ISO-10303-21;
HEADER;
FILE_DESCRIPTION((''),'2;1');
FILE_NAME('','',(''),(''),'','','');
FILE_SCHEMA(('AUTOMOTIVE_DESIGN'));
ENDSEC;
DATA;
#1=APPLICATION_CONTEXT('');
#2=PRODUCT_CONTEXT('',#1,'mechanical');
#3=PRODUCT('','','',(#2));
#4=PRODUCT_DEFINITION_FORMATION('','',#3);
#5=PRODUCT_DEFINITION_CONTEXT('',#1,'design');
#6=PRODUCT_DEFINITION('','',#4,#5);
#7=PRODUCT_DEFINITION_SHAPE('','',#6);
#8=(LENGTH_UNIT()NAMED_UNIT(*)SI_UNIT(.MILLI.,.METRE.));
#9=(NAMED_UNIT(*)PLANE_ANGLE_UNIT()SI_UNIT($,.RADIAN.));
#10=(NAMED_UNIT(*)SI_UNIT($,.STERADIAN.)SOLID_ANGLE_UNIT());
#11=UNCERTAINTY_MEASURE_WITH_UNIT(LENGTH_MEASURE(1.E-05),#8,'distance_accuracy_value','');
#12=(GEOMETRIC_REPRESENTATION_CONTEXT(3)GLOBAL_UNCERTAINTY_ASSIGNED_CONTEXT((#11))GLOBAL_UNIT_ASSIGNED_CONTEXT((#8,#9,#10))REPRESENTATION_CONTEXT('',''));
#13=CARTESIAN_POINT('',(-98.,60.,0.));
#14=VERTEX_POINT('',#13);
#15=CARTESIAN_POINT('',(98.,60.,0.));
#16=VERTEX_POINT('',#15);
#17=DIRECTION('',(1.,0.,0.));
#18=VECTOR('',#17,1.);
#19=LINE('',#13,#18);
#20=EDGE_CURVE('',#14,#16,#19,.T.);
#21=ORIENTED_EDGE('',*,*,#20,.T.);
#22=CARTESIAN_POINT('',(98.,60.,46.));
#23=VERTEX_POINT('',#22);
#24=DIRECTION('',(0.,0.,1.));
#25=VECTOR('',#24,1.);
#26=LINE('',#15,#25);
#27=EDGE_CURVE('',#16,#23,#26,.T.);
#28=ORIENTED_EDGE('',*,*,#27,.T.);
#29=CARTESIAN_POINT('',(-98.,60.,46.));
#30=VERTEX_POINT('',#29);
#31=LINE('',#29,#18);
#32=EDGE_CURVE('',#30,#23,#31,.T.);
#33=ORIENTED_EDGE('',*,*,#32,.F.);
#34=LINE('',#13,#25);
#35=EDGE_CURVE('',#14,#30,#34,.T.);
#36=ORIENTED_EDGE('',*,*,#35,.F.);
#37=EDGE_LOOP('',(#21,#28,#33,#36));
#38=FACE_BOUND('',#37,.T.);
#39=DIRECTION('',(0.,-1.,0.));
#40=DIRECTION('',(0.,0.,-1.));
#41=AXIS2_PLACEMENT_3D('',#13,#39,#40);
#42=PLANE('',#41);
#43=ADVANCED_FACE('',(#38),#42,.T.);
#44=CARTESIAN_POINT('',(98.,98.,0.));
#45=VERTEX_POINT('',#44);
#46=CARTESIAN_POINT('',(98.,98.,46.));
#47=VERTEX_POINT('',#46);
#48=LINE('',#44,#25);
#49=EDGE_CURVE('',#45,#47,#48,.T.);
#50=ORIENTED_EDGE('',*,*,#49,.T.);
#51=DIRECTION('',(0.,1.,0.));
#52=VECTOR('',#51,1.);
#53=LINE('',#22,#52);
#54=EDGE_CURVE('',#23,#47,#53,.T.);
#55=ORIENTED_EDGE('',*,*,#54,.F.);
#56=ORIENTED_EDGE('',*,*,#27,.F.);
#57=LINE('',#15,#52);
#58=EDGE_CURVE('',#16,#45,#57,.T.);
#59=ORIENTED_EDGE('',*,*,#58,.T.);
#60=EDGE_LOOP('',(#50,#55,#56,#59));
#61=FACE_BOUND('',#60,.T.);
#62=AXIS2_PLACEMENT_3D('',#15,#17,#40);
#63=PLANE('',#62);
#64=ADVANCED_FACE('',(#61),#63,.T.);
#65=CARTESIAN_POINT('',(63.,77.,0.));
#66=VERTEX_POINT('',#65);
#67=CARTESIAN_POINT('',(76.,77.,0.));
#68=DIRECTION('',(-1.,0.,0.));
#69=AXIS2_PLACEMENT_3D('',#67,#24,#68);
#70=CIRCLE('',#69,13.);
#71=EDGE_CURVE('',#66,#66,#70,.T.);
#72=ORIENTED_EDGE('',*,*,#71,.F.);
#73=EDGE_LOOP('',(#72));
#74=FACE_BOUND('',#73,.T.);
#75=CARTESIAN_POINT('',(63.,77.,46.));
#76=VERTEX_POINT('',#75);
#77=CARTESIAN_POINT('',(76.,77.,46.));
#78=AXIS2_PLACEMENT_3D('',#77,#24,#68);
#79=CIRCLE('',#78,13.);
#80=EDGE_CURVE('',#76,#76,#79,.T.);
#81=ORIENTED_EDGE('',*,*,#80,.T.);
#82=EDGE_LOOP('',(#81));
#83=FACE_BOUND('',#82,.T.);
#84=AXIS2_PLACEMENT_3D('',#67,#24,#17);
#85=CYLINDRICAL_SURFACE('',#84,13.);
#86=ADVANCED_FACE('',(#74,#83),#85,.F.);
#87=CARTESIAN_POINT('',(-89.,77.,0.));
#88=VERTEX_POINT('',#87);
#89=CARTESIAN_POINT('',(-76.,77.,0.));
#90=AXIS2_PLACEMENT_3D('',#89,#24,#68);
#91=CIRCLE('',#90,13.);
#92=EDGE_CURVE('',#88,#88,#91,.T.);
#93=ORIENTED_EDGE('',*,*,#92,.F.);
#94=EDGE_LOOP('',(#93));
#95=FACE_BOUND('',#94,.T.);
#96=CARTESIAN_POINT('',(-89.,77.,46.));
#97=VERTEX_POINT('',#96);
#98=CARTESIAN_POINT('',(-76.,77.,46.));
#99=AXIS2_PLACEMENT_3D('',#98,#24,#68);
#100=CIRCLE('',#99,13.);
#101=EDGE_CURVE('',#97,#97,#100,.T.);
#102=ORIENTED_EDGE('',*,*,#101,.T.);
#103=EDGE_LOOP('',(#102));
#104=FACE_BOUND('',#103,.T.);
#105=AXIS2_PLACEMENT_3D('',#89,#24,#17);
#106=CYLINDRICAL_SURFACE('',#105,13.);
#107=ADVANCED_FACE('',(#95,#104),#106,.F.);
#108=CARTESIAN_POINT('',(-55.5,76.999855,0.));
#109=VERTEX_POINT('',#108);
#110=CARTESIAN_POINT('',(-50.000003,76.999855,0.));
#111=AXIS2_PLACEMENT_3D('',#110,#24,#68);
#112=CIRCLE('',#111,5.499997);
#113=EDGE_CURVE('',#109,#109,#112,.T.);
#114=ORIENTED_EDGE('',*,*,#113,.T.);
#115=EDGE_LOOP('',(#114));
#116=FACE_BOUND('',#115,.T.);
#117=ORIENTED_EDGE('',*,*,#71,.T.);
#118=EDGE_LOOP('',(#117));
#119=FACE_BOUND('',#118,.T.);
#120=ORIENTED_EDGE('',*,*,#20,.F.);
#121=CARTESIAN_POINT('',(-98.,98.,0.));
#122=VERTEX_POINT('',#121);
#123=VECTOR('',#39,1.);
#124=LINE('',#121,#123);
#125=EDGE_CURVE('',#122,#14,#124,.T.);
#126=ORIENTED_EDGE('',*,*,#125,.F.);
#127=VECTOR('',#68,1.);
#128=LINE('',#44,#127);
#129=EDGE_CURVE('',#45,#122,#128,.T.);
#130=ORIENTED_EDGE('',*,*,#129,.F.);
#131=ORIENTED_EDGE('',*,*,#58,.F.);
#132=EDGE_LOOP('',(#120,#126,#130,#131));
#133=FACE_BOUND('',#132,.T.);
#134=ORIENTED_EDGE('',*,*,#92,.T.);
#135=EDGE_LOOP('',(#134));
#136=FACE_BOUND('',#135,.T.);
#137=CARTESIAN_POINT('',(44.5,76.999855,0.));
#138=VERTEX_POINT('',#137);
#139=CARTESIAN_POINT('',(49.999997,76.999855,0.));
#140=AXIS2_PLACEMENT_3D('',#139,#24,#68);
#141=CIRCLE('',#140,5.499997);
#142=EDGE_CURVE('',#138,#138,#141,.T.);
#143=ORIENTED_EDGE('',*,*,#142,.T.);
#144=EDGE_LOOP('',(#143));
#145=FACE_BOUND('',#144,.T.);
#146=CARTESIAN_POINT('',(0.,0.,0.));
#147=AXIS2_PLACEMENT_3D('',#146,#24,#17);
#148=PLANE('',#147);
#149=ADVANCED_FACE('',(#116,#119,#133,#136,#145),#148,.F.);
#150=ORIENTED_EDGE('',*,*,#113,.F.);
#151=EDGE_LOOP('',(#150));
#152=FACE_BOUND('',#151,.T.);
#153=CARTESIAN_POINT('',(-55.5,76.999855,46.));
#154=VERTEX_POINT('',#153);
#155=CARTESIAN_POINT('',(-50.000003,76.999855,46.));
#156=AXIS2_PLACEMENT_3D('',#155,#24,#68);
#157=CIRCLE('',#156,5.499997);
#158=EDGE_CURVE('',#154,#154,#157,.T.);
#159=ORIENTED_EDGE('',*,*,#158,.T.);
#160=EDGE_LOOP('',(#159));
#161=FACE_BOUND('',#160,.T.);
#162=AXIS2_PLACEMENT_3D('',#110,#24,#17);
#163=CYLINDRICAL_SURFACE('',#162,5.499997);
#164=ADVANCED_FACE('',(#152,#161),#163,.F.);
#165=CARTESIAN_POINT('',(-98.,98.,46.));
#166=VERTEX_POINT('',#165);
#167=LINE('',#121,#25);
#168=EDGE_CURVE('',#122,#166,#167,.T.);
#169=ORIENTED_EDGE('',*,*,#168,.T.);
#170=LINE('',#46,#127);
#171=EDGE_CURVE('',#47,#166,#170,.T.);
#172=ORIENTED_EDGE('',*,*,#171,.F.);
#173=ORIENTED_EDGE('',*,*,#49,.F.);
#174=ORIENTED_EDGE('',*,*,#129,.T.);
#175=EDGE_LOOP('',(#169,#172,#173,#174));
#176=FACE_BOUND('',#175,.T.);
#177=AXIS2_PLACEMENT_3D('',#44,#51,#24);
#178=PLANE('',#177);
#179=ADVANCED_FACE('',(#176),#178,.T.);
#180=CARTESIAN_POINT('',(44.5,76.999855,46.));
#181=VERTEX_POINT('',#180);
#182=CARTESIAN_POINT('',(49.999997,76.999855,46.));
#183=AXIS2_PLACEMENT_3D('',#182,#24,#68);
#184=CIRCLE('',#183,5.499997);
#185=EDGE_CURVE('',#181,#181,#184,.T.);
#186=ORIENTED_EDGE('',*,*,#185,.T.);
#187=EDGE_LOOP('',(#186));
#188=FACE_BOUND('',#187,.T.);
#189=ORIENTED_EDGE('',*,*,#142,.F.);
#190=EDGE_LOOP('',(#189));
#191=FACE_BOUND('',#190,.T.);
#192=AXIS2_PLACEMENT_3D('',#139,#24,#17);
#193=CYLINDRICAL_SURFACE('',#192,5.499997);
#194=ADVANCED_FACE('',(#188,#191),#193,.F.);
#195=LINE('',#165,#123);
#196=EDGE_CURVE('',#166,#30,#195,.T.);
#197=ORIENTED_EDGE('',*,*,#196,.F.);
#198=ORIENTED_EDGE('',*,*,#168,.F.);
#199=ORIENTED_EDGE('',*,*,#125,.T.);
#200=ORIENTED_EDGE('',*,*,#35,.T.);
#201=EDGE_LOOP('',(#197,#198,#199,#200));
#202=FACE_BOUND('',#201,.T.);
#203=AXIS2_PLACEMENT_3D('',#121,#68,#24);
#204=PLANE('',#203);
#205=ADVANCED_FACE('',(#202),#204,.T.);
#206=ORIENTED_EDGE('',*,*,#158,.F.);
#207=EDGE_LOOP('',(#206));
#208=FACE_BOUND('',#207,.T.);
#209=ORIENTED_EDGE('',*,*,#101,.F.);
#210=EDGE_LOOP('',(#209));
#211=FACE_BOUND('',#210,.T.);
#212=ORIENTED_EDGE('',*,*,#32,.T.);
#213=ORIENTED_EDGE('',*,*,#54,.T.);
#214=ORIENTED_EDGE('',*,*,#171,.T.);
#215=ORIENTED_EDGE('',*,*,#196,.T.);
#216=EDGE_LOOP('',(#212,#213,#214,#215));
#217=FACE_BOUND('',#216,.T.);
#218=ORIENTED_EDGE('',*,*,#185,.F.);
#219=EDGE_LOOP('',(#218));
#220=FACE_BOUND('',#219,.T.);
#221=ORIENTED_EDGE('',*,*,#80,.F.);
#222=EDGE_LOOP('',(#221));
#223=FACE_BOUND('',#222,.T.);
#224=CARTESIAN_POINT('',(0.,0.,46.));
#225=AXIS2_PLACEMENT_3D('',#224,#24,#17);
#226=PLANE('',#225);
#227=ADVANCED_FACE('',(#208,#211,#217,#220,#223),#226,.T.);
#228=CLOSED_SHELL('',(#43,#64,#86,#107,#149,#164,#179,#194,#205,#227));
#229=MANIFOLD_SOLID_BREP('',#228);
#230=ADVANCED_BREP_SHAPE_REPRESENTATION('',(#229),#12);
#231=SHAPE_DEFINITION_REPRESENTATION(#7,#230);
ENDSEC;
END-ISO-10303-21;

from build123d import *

# Parameters (mm, degrees)
SKETCH_1_W      = 196
SKETCH_1_H      = 38
SKETCH_1_R      = 5.499997081
SKETCH_1_R_2    = 13
EXTRUDE_1_DEPTH = 46


with BuildPart() as part:
    # Эскиз1 → Бобышка-Вытянуть1 (new body)
    with BuildSketch(Plane.XY.offset(46)):
        with Locations((0, 79)):
            Rectangle(SKETCH_1_W, SKETCH_1_H)
        with Locations(Location((-50.000002921, 76.99985459, 0), (0, 0, 180))):
            Circle(SKETCH_1_R, mode=Mode.SUBTRACT)
        with Locations(Location((49.999997079, 76.99985459, 0), (0, 0, 180))):
            Circle(SKETCH_1_R, mode=Mode.SUBTRACT)
        with Locations(Location((-76, 77, 0), (0, 0, 180))):
            Circle(SKETCH_1_R_2, mode=Mode.SUBTRACT)
        with Locations(Location((76, 77, 0), (0, 0, 180))):
            Circle(SKETCH_1_R_2, mode=Mode.SUBTRACT)
    extrude(amount=-EXTRUDE_1_DEPTH)


solid = part.part
